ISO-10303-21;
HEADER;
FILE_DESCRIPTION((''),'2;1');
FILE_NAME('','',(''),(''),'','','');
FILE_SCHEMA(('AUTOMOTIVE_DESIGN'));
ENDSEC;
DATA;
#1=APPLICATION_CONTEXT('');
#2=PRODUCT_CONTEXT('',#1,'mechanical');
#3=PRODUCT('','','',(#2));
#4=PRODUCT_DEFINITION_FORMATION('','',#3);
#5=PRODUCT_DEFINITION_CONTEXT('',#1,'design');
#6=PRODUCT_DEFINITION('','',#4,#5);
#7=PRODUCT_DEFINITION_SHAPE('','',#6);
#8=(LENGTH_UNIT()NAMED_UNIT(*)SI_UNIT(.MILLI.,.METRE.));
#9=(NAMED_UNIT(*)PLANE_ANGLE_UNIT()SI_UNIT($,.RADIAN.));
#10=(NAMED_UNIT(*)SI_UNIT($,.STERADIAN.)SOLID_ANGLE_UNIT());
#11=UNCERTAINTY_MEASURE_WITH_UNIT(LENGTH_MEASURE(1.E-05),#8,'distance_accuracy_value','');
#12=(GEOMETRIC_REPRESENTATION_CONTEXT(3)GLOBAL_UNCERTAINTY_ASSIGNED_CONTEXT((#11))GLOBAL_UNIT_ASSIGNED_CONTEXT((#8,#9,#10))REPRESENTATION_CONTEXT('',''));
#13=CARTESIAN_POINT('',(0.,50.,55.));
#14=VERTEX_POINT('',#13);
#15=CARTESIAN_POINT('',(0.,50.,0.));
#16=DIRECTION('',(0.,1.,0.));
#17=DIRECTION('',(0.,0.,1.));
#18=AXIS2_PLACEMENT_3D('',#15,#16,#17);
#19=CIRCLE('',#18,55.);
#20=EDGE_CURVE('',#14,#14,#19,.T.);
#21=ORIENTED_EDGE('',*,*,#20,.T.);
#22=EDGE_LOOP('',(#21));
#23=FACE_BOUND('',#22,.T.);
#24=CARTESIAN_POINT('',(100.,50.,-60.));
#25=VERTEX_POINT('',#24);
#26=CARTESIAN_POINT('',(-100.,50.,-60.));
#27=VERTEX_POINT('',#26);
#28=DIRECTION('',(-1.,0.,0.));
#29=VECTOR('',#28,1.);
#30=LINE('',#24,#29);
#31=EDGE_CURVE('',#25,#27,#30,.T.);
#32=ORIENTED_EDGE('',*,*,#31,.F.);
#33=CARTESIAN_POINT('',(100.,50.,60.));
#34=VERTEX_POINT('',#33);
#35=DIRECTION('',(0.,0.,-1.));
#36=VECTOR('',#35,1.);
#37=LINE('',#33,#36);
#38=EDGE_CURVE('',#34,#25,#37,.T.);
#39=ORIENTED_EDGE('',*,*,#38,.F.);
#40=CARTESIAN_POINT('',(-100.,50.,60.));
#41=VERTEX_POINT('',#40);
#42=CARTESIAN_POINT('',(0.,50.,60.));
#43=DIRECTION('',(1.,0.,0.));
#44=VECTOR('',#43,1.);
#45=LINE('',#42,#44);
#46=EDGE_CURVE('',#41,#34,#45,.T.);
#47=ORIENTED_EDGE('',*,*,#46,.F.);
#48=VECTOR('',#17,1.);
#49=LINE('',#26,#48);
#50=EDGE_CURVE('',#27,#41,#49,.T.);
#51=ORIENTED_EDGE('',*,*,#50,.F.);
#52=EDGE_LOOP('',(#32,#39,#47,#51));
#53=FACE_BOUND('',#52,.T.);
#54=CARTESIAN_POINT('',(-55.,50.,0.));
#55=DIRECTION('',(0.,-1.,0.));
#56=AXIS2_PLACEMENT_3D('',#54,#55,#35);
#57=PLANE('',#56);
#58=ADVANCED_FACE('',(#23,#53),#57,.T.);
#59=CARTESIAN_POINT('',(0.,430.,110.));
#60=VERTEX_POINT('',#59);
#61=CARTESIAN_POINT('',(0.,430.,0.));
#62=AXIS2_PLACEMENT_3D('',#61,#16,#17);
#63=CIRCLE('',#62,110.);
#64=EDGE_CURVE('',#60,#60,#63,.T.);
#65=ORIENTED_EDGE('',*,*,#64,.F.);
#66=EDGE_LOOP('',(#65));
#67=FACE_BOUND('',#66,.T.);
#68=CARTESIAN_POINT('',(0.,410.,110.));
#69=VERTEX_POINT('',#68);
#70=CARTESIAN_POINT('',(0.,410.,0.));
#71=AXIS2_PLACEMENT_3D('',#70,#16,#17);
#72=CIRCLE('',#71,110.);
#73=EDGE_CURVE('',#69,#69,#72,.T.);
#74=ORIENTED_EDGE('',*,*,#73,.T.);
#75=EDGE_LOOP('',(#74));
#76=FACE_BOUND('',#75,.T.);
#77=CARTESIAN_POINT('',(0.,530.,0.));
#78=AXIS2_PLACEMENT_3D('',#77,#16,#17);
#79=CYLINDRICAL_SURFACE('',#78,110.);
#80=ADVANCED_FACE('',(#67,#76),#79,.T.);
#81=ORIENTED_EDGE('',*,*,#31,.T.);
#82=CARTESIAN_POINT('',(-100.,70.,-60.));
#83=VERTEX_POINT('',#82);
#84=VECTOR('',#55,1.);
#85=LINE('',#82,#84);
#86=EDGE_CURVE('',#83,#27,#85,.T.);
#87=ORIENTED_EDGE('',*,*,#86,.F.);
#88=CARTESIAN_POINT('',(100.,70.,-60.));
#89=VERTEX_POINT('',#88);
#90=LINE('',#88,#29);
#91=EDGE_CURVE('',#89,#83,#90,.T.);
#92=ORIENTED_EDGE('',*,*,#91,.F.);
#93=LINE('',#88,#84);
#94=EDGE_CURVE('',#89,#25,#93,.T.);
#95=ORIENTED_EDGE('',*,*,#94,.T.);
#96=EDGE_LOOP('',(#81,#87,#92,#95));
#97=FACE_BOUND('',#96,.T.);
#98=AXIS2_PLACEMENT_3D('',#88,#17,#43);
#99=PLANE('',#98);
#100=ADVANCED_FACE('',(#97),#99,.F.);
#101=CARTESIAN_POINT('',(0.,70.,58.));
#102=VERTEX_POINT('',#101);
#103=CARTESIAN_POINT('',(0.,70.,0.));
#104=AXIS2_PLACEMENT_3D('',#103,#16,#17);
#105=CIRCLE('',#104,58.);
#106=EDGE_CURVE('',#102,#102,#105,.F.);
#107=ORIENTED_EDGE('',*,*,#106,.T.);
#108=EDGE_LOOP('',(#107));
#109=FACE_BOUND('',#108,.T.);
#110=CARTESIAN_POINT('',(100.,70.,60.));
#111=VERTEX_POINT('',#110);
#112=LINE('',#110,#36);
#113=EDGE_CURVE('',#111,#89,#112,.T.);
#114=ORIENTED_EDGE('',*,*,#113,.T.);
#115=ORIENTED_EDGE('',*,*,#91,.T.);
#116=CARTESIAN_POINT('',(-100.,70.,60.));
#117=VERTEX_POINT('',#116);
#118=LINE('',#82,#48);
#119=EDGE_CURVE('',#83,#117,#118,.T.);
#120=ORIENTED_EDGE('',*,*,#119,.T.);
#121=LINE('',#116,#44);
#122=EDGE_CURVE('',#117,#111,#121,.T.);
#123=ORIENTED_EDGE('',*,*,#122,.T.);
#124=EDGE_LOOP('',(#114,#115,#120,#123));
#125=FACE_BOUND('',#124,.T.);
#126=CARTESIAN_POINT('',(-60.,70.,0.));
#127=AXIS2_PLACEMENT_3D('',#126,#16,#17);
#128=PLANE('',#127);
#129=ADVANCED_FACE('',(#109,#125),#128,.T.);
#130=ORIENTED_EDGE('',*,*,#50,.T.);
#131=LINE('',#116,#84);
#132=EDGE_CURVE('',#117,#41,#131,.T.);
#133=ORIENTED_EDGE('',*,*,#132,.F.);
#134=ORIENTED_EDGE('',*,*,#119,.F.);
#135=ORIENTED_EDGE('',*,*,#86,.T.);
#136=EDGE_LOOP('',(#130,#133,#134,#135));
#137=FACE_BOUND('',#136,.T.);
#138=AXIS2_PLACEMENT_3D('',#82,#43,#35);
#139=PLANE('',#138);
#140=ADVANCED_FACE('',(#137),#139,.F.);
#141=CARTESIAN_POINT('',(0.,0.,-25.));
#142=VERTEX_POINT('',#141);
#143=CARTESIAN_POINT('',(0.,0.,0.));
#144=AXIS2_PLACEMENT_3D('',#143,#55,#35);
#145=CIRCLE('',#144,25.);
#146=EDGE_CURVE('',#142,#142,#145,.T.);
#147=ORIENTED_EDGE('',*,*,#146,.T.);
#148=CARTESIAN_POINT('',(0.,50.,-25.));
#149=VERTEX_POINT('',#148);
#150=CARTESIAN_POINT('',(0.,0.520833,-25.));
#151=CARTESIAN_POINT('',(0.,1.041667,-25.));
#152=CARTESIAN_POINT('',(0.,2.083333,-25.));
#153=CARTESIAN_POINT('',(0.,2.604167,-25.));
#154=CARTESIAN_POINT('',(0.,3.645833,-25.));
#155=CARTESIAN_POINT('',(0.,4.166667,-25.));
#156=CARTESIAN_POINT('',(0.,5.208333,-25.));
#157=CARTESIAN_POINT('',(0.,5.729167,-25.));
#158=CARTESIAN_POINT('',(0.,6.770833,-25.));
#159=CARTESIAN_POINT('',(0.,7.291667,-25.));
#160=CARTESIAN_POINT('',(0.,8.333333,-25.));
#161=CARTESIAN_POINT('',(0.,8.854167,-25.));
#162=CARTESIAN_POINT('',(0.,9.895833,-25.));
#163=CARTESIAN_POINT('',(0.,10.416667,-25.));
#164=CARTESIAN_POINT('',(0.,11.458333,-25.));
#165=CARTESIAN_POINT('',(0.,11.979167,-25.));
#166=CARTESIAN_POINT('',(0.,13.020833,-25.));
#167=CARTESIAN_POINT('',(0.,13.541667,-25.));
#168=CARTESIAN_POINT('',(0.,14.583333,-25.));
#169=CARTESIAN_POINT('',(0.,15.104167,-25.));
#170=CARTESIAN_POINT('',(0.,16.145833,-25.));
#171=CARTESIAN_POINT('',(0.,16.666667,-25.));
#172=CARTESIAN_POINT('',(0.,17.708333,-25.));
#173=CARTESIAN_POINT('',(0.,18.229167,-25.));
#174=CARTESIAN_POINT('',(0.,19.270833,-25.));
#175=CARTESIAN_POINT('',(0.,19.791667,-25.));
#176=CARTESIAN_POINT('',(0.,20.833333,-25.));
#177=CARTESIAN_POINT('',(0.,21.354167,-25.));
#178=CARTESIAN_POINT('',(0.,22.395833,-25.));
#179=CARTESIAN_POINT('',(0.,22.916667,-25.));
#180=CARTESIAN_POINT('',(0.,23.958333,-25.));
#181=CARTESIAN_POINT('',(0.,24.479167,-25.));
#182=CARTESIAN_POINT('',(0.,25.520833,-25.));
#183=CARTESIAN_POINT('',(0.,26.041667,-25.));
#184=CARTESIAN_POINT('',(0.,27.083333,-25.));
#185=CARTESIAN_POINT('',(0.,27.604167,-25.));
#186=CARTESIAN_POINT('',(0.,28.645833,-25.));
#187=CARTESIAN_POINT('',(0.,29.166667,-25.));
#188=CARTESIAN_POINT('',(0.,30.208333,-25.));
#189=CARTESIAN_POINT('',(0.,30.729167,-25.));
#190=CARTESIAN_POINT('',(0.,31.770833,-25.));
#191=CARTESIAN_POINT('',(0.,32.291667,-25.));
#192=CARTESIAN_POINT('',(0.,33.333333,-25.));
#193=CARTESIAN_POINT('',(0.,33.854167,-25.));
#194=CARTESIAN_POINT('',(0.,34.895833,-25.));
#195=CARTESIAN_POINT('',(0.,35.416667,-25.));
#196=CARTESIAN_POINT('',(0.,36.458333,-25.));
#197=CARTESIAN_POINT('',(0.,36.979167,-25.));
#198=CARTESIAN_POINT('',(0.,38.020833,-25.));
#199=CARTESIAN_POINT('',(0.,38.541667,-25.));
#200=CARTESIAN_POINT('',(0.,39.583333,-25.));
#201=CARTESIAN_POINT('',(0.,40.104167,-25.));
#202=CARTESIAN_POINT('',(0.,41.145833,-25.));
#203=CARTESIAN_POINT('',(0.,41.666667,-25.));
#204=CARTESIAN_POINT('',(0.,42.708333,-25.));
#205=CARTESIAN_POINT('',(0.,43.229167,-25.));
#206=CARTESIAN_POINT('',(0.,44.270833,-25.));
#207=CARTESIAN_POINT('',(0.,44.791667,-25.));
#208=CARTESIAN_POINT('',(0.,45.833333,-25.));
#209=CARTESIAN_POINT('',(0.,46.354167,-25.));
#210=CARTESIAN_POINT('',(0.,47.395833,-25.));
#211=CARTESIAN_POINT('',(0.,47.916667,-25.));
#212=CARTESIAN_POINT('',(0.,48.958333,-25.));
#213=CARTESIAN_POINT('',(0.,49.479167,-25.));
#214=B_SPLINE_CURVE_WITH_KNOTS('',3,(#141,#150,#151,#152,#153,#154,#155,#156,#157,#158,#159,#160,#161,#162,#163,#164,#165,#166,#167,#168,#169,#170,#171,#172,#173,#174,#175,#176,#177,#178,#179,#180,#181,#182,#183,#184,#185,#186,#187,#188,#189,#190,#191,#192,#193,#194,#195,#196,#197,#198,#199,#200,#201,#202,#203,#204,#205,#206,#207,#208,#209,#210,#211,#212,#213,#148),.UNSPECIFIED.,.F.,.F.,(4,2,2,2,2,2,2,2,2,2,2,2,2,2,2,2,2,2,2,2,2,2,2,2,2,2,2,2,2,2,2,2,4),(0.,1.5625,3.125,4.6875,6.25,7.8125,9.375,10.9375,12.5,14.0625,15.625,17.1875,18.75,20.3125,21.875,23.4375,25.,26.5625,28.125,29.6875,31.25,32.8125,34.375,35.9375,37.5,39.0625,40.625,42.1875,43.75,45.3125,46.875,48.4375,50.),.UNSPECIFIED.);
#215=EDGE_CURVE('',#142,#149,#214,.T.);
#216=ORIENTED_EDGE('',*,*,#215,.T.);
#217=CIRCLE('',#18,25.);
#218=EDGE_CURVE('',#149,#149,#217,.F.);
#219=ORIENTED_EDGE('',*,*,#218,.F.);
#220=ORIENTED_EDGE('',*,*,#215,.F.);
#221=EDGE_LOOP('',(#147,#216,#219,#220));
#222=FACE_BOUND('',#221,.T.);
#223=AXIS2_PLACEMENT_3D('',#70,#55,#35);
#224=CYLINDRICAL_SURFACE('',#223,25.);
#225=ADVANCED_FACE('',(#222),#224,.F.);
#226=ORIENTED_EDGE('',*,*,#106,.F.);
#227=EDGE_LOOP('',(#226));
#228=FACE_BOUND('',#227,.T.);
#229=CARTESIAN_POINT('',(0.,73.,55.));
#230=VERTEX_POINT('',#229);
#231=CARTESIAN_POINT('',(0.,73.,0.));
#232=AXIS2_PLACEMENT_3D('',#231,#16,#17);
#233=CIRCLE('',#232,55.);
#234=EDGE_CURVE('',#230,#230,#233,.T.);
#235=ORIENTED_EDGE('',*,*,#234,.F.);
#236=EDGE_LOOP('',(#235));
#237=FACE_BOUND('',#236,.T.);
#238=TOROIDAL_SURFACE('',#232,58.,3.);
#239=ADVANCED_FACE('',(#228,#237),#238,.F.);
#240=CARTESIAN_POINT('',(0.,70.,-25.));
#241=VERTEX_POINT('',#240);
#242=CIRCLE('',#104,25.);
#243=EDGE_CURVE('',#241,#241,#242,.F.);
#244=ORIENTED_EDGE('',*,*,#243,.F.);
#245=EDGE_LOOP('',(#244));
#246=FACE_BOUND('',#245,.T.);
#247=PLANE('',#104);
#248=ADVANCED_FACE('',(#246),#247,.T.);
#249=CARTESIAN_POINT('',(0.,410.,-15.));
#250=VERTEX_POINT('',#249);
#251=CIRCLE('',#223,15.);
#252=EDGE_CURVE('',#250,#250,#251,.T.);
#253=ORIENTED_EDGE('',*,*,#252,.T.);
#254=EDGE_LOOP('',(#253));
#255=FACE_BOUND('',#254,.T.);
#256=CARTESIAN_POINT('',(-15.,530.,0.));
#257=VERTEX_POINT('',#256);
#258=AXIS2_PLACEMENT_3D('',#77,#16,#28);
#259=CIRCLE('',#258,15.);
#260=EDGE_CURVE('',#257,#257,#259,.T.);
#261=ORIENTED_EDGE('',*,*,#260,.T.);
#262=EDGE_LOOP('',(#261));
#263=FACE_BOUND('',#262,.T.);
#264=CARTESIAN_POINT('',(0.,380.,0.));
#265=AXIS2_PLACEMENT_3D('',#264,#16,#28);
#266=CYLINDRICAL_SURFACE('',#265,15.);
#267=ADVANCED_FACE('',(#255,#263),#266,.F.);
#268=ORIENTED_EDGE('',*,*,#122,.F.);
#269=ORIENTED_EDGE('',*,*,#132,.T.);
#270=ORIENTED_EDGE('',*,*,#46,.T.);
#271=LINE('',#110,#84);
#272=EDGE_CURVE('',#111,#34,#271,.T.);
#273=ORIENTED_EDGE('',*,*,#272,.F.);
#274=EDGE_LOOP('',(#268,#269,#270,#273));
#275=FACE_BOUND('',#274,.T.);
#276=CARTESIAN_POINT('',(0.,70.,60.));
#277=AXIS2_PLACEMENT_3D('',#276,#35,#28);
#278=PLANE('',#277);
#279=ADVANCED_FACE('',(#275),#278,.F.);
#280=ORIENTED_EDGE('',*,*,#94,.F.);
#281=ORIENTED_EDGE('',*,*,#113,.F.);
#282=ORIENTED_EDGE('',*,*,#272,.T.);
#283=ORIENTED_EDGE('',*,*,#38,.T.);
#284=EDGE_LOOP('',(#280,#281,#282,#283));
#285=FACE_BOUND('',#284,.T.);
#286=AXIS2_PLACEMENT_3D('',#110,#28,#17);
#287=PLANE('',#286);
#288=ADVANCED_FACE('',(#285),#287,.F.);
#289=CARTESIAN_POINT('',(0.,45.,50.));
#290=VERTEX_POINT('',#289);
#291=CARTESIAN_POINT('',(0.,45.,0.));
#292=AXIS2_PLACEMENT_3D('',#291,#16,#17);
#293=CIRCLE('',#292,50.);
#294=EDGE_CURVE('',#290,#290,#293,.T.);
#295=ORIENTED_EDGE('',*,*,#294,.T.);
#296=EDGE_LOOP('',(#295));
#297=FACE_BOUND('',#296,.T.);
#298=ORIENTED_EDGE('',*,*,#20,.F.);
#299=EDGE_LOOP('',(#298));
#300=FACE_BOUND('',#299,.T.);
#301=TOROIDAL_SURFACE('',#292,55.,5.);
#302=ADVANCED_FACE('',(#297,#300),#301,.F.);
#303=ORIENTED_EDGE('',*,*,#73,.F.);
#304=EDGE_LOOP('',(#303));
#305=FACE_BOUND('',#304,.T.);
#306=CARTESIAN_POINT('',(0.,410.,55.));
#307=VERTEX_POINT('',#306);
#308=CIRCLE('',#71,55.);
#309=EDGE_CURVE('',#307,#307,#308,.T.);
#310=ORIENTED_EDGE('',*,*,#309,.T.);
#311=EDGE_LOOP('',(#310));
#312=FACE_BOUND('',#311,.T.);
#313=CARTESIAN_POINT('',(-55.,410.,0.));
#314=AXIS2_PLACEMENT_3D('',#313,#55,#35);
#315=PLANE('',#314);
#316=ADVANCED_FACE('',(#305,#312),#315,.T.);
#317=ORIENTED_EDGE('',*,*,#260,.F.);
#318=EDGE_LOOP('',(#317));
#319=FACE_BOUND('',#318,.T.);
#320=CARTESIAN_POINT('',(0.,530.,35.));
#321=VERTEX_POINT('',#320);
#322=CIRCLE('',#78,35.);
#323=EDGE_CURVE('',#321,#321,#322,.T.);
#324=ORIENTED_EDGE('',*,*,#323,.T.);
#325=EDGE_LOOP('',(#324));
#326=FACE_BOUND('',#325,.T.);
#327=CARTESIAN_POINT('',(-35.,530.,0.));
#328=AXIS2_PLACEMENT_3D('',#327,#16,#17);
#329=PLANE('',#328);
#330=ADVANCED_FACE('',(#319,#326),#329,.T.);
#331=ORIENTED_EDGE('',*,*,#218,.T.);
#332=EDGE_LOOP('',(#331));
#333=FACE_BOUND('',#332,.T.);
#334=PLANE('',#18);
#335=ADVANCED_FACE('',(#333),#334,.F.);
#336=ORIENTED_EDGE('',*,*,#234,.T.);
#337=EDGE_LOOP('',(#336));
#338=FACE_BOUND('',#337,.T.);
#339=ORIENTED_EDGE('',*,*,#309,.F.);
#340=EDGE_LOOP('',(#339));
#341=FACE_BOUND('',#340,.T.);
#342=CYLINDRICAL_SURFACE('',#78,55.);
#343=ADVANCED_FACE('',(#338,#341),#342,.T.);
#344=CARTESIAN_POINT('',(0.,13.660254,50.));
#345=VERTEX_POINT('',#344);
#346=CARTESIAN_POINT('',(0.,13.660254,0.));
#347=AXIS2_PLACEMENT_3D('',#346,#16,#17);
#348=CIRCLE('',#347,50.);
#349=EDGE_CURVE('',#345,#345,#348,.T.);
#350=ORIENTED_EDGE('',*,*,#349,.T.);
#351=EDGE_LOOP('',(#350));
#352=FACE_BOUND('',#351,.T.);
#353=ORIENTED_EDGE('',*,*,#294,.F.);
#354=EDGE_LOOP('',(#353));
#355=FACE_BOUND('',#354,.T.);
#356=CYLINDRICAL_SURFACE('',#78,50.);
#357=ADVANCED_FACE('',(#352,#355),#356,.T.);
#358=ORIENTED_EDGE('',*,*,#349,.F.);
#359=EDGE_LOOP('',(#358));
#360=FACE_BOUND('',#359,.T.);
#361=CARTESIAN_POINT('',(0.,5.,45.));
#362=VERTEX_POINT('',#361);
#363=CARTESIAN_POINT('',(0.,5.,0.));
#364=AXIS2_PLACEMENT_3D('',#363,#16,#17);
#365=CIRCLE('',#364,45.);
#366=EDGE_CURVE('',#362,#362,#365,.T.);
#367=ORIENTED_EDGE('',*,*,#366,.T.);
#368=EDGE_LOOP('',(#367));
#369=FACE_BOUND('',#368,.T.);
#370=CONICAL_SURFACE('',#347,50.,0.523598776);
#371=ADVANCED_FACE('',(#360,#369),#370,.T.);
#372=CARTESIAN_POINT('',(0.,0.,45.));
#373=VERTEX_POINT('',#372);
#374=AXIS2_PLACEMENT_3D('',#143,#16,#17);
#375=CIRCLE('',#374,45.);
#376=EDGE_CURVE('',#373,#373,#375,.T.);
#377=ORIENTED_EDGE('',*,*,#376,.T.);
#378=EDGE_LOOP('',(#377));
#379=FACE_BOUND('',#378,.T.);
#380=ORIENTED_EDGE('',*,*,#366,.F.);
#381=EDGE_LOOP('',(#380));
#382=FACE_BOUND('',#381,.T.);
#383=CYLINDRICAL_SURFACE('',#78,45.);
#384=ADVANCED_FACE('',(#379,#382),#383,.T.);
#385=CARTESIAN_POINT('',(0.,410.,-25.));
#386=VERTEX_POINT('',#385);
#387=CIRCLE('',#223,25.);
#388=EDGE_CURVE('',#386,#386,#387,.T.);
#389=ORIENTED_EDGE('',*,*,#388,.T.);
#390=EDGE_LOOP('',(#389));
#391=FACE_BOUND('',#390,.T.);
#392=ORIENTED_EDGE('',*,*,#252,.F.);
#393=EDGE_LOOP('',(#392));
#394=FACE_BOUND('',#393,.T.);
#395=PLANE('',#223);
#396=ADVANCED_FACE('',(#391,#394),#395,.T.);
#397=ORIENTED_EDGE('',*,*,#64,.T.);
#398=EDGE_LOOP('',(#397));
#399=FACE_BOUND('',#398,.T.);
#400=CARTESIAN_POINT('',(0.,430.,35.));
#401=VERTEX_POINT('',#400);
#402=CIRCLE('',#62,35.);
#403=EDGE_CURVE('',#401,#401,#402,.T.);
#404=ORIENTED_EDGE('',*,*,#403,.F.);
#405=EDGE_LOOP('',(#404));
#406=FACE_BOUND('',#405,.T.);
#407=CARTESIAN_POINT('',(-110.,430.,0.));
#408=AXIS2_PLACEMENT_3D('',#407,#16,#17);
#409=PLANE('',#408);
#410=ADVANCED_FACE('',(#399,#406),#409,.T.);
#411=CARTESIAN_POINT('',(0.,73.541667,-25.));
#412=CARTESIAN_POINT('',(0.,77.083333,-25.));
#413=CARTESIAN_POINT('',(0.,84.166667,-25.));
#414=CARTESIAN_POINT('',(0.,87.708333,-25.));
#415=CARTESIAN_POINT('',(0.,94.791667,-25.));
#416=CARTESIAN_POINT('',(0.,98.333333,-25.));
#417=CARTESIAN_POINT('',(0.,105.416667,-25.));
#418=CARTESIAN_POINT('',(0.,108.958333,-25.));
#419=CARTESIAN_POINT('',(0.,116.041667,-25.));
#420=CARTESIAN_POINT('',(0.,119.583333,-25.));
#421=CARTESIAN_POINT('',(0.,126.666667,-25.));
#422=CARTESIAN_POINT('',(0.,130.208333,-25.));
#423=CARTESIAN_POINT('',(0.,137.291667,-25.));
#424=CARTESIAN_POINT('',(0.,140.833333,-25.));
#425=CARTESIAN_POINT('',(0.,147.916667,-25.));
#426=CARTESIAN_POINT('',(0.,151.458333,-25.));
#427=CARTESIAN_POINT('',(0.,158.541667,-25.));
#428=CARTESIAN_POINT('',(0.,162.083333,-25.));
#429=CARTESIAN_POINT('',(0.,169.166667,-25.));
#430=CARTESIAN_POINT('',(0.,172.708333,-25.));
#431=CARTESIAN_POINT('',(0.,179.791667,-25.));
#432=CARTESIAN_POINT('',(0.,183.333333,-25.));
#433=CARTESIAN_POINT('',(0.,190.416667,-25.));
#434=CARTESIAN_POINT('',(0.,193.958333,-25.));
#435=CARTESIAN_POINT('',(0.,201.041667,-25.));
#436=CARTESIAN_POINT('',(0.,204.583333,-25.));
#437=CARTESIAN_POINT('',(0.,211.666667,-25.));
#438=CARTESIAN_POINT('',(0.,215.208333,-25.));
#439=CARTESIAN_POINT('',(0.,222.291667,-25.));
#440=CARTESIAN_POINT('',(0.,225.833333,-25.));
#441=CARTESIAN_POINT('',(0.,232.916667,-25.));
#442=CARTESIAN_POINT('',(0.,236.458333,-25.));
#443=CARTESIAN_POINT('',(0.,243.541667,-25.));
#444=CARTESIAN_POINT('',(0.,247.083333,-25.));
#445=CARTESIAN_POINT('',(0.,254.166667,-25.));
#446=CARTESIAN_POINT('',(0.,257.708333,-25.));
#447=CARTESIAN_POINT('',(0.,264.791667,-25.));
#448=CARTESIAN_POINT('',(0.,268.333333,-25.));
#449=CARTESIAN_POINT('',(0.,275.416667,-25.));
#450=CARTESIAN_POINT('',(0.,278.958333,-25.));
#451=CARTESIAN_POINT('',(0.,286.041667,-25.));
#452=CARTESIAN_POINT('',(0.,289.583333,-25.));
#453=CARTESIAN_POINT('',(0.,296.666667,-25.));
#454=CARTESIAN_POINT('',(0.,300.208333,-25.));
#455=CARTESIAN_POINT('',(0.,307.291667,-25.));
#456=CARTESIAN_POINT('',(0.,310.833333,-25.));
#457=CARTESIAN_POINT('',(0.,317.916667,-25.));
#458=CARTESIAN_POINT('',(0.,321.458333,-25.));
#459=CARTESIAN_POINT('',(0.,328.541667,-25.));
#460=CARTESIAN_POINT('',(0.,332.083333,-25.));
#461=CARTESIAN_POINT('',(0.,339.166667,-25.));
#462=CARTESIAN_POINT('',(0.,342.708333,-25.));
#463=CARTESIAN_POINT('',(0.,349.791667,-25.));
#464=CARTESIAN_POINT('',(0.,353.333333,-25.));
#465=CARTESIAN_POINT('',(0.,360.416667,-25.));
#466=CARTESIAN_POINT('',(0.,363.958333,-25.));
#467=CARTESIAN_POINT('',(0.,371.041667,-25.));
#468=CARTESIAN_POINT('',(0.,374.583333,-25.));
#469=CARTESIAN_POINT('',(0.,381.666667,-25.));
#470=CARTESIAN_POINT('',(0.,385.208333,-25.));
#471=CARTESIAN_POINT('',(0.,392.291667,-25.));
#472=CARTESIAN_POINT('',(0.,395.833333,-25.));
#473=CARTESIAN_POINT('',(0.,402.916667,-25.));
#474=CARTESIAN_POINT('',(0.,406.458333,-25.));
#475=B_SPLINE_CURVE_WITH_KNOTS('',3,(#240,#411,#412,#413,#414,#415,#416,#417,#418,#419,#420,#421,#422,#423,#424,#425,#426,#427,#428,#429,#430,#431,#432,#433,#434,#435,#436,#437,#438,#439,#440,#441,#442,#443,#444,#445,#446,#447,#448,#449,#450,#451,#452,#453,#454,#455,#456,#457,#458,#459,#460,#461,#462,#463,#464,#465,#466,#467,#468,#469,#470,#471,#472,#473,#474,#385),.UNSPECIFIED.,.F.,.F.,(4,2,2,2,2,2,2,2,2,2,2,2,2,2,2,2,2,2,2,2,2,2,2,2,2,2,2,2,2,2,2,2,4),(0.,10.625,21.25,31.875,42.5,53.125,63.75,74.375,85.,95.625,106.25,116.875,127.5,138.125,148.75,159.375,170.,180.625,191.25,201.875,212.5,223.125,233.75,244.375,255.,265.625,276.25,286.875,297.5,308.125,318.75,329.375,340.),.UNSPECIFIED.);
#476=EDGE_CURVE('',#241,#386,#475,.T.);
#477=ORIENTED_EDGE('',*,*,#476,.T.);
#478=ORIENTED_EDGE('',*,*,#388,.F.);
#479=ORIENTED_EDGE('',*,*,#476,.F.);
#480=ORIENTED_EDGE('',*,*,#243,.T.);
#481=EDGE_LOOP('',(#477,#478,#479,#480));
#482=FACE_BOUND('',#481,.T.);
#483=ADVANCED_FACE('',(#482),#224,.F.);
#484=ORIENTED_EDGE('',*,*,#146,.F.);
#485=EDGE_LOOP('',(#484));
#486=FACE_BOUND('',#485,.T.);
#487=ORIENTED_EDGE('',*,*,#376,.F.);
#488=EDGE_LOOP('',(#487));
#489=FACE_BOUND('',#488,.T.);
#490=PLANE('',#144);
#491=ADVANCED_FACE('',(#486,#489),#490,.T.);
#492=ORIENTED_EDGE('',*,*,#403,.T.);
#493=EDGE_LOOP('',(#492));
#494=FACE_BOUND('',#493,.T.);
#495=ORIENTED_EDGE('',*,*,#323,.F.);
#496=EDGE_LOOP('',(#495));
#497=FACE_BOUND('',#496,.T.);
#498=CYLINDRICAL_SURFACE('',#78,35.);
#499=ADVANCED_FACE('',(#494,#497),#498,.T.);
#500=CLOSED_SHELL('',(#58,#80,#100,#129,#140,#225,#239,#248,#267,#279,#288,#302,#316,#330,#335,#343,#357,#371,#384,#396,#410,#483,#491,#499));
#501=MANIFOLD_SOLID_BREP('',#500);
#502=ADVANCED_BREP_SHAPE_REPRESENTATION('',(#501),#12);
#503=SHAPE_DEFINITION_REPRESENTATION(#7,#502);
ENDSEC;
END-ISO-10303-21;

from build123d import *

# Parameters (mm, degrees)
FILLET1_R           = 3
SKETCH3_R           = 25
CUT_EXTRUDE2_DEPTH  = 410
SKETCH4_R           = 15
CUT_EXTRUDE3_DEPTH  = 150
BOSS_EXTRUDE1_DEPTH = 20


with BuildPart() as part:
    # Sketch1 → Revolve1 (revolve)
    with BuildSketch(Plane.XY, mode=Mode.PRIVATE) as revolve1_sk:
        with BuildLine():
            Line((0, 0), (-45, 0))
            Line((-45, 0), (-45, 5))
            Line((-45, 5), (-50, 13.660254038))
            Line((-50, 13.660254038), (-50, 45))
            ThreePointArc((-50, 45), (-51.464466094, 48.535533906), (-55, 50))
            Line((-55, 50), (-60, 50))
            Line((-60, 50), (-60, 70))
            Line((-60, 70), (-55, 70))
            Line((-55, 70), (-55, 410))
            Line((-55, 410), (-110, 410))
            Line((-110, 410), (-110, 430))
            Line((-110, 430), (-35, 430))
            Line((-35, 430), (-35, 530))
            Line((-35, 530), (0, 530))
            Line((0, 530), (0, 0))
        make_face()
    revolve(revolve1_sk.sketch.rotate(Axis((0, 530, 0), (0, -1, 0)), 270), axis=Axis((0, 530, 0), (0, -1, 0)))

    # Fillet1
    fillet1_edges = [part.edges().sort_by_distance(p)[0] for p in [
        (0, 70, -55),
    ]]
    fillet(fillet1_edges, radius=FILLET1_R)

    # Sketch3 → Cut-Extrude2 (cut)
    with BuildSketch(Plane.XZ):
        with Locations(Location((0, 0, 0), (0, 0, 270))):
            Circle(SKETCH3_R)
    extrude(amount=-CUT_EXTRUDE2_DEPTH, mode=Mode.SUBTRACT)

    # Sketch4 → Cut-Extrude3 (cut)
    with BuildSketch(Plane(origin=(0, 530, 0), x_dir=(1, 0, 0), z_dir=(0, 1, 0))):
        with Locations(Location((0, 0, 0), (0, 0, 180))):
            Circle(SKETCH4_R)
    extrude(amount=-CUT_EXTRUDE3_DEPTH, mode=Mode.SUBTRACT)

    # Sketch6 → Boss-Extrude1 (add)
    with BuildSketch(Plane(origin=(0, 50, 0), x_dir=(1, 0, 0), z_dir=(0, 1, 0))):
        Polygon((0, -60), (100, -60), (100, 60), (-100, 60), (-100, -60), align=None)
    extrude(amount=BOSS_EXTRUDE1_DEPTH)


solid = part.part
